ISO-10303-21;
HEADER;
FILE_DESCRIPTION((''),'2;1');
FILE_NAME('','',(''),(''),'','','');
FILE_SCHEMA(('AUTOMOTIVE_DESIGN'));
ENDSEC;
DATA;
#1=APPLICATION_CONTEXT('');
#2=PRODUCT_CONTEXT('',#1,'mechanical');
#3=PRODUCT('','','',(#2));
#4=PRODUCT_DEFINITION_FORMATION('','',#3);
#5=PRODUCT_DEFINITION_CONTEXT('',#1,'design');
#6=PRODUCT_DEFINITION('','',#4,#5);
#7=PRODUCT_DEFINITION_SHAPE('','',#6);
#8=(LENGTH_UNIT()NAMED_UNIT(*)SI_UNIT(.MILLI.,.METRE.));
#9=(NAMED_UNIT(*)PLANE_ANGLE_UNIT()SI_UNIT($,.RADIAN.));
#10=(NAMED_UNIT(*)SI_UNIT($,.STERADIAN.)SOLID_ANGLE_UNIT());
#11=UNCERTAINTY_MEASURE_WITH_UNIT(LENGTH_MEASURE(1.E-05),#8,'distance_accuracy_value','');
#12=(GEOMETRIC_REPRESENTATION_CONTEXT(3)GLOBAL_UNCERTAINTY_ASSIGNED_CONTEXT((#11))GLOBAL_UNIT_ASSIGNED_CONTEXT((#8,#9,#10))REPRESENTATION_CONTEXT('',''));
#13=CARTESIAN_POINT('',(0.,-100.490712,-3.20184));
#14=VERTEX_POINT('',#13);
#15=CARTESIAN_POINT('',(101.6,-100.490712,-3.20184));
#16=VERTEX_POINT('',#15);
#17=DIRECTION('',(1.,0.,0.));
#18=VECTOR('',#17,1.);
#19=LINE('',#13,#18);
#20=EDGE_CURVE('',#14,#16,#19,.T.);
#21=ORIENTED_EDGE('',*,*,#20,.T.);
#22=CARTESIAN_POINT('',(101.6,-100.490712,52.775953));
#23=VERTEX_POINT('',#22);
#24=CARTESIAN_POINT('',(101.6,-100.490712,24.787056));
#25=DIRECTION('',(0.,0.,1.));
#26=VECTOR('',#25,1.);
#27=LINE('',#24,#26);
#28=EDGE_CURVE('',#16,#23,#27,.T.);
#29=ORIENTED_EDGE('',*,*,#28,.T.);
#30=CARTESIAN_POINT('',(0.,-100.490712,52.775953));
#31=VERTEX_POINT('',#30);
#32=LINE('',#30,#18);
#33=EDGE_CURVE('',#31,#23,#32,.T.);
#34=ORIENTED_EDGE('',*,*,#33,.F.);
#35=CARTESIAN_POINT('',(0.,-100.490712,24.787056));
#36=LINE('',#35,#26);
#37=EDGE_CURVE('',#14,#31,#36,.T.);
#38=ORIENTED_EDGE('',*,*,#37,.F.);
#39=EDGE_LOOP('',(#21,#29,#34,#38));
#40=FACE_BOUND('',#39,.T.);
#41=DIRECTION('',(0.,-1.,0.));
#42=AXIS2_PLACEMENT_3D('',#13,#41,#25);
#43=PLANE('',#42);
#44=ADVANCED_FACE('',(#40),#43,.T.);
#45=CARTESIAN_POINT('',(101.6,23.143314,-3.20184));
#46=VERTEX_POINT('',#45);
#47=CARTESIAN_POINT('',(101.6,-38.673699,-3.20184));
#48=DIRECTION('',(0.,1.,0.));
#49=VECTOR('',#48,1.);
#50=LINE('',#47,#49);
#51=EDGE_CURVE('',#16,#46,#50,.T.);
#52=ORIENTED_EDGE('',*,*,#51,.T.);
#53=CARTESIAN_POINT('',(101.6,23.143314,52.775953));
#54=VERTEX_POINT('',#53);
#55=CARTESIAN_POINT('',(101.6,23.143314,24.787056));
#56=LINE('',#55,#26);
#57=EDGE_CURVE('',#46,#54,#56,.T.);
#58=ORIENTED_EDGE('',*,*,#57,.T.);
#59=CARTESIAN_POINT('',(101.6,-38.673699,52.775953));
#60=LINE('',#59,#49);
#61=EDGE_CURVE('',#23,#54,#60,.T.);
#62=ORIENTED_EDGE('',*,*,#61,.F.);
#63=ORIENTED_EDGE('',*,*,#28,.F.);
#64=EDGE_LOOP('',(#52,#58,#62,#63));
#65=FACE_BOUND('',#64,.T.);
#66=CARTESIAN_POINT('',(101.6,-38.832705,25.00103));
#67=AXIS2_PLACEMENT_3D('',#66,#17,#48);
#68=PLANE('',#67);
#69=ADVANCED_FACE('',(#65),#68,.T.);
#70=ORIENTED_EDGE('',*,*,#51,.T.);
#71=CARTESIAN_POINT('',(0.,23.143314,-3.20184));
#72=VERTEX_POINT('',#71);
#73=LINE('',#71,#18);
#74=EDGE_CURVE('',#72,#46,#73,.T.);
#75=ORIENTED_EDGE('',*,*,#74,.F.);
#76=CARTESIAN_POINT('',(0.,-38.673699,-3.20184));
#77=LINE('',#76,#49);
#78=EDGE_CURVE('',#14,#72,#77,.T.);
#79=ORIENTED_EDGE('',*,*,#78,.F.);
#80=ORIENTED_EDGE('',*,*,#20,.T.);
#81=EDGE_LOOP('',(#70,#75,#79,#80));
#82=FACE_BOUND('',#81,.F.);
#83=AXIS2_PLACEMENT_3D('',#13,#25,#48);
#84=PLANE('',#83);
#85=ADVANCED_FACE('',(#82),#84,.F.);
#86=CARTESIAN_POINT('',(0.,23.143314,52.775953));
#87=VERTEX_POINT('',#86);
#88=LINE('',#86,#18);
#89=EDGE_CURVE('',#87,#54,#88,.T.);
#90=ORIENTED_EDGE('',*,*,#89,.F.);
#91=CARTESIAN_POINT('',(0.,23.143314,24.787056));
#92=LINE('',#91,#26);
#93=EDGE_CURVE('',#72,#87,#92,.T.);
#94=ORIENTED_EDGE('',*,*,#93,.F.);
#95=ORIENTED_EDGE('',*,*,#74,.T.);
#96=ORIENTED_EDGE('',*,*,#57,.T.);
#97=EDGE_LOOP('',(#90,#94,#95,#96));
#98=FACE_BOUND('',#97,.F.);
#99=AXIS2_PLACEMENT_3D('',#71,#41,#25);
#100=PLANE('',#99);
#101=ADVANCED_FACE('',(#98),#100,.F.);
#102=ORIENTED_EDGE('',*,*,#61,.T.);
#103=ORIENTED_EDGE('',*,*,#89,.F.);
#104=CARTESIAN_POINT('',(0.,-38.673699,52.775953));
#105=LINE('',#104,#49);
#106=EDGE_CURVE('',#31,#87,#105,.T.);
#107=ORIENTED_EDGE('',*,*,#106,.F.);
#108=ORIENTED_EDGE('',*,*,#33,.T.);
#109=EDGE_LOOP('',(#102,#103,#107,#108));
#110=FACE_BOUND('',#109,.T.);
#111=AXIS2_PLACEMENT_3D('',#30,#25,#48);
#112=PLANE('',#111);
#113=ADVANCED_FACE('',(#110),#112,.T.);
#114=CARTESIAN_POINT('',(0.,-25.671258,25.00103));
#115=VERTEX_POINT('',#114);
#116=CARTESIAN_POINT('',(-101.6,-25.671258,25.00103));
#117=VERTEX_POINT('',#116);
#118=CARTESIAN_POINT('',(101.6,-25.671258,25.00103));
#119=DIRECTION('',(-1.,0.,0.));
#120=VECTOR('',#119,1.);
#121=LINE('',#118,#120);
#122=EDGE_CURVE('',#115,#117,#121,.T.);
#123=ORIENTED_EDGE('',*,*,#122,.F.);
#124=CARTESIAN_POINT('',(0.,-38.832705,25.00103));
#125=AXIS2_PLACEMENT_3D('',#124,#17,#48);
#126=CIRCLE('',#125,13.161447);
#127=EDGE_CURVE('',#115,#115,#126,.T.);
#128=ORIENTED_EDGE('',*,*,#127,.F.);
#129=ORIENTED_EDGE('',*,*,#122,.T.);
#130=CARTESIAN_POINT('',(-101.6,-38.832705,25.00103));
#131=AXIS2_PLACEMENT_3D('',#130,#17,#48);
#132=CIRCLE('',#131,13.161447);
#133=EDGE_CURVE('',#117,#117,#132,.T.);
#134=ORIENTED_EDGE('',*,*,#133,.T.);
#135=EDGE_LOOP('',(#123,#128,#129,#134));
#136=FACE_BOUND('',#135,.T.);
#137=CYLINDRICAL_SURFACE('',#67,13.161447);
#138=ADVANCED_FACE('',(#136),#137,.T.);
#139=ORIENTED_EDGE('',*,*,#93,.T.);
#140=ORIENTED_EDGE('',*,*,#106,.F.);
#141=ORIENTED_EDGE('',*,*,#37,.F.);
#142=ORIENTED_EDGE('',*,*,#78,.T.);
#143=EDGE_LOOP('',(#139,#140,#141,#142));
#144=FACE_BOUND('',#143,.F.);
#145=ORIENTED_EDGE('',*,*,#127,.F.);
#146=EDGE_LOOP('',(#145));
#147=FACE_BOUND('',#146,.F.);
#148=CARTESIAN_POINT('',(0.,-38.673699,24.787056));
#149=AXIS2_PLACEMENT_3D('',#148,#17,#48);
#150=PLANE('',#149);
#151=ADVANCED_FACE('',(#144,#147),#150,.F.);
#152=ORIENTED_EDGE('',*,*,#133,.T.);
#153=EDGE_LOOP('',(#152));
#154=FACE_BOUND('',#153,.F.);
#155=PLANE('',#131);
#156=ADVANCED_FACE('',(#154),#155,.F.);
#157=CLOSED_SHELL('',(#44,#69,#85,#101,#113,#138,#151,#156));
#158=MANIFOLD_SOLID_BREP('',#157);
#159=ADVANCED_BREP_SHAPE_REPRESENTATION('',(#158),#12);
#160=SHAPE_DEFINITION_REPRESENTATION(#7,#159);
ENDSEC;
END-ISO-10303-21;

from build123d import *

# Parameters (mm, degrees)
F0_W          = 123.634026
F0_H          = 55.977793
F1_DEPTH      = 101.6
F2_R          = 13.161447
F3_DEPTH      = 203.2
F3_DEPTH_BACK = 25.4


with BuildPart() as f1:
    # F0 (on Right) → F1 (new body)
    with BuildSketch(Plane.YZ):
        with Locations((-38.673699, 24.787056)):
            Rectangle(F0_W, F0_H)
    extrude(amount=F1_DEPTH)

    # F2 (on face) → F3 (join, two sides)
    with BuildSketch(Plane.YZ.offset(101.6)) as f3_sk:
        with Locations((-38.832705, 25.00103)):
            Circle(F2_R)
    extrude(amount=-F3_DEPTH)
    extrude(f3_sk.sketch, amount=-F3_DEPTH_BACK)


solid = f1.part
